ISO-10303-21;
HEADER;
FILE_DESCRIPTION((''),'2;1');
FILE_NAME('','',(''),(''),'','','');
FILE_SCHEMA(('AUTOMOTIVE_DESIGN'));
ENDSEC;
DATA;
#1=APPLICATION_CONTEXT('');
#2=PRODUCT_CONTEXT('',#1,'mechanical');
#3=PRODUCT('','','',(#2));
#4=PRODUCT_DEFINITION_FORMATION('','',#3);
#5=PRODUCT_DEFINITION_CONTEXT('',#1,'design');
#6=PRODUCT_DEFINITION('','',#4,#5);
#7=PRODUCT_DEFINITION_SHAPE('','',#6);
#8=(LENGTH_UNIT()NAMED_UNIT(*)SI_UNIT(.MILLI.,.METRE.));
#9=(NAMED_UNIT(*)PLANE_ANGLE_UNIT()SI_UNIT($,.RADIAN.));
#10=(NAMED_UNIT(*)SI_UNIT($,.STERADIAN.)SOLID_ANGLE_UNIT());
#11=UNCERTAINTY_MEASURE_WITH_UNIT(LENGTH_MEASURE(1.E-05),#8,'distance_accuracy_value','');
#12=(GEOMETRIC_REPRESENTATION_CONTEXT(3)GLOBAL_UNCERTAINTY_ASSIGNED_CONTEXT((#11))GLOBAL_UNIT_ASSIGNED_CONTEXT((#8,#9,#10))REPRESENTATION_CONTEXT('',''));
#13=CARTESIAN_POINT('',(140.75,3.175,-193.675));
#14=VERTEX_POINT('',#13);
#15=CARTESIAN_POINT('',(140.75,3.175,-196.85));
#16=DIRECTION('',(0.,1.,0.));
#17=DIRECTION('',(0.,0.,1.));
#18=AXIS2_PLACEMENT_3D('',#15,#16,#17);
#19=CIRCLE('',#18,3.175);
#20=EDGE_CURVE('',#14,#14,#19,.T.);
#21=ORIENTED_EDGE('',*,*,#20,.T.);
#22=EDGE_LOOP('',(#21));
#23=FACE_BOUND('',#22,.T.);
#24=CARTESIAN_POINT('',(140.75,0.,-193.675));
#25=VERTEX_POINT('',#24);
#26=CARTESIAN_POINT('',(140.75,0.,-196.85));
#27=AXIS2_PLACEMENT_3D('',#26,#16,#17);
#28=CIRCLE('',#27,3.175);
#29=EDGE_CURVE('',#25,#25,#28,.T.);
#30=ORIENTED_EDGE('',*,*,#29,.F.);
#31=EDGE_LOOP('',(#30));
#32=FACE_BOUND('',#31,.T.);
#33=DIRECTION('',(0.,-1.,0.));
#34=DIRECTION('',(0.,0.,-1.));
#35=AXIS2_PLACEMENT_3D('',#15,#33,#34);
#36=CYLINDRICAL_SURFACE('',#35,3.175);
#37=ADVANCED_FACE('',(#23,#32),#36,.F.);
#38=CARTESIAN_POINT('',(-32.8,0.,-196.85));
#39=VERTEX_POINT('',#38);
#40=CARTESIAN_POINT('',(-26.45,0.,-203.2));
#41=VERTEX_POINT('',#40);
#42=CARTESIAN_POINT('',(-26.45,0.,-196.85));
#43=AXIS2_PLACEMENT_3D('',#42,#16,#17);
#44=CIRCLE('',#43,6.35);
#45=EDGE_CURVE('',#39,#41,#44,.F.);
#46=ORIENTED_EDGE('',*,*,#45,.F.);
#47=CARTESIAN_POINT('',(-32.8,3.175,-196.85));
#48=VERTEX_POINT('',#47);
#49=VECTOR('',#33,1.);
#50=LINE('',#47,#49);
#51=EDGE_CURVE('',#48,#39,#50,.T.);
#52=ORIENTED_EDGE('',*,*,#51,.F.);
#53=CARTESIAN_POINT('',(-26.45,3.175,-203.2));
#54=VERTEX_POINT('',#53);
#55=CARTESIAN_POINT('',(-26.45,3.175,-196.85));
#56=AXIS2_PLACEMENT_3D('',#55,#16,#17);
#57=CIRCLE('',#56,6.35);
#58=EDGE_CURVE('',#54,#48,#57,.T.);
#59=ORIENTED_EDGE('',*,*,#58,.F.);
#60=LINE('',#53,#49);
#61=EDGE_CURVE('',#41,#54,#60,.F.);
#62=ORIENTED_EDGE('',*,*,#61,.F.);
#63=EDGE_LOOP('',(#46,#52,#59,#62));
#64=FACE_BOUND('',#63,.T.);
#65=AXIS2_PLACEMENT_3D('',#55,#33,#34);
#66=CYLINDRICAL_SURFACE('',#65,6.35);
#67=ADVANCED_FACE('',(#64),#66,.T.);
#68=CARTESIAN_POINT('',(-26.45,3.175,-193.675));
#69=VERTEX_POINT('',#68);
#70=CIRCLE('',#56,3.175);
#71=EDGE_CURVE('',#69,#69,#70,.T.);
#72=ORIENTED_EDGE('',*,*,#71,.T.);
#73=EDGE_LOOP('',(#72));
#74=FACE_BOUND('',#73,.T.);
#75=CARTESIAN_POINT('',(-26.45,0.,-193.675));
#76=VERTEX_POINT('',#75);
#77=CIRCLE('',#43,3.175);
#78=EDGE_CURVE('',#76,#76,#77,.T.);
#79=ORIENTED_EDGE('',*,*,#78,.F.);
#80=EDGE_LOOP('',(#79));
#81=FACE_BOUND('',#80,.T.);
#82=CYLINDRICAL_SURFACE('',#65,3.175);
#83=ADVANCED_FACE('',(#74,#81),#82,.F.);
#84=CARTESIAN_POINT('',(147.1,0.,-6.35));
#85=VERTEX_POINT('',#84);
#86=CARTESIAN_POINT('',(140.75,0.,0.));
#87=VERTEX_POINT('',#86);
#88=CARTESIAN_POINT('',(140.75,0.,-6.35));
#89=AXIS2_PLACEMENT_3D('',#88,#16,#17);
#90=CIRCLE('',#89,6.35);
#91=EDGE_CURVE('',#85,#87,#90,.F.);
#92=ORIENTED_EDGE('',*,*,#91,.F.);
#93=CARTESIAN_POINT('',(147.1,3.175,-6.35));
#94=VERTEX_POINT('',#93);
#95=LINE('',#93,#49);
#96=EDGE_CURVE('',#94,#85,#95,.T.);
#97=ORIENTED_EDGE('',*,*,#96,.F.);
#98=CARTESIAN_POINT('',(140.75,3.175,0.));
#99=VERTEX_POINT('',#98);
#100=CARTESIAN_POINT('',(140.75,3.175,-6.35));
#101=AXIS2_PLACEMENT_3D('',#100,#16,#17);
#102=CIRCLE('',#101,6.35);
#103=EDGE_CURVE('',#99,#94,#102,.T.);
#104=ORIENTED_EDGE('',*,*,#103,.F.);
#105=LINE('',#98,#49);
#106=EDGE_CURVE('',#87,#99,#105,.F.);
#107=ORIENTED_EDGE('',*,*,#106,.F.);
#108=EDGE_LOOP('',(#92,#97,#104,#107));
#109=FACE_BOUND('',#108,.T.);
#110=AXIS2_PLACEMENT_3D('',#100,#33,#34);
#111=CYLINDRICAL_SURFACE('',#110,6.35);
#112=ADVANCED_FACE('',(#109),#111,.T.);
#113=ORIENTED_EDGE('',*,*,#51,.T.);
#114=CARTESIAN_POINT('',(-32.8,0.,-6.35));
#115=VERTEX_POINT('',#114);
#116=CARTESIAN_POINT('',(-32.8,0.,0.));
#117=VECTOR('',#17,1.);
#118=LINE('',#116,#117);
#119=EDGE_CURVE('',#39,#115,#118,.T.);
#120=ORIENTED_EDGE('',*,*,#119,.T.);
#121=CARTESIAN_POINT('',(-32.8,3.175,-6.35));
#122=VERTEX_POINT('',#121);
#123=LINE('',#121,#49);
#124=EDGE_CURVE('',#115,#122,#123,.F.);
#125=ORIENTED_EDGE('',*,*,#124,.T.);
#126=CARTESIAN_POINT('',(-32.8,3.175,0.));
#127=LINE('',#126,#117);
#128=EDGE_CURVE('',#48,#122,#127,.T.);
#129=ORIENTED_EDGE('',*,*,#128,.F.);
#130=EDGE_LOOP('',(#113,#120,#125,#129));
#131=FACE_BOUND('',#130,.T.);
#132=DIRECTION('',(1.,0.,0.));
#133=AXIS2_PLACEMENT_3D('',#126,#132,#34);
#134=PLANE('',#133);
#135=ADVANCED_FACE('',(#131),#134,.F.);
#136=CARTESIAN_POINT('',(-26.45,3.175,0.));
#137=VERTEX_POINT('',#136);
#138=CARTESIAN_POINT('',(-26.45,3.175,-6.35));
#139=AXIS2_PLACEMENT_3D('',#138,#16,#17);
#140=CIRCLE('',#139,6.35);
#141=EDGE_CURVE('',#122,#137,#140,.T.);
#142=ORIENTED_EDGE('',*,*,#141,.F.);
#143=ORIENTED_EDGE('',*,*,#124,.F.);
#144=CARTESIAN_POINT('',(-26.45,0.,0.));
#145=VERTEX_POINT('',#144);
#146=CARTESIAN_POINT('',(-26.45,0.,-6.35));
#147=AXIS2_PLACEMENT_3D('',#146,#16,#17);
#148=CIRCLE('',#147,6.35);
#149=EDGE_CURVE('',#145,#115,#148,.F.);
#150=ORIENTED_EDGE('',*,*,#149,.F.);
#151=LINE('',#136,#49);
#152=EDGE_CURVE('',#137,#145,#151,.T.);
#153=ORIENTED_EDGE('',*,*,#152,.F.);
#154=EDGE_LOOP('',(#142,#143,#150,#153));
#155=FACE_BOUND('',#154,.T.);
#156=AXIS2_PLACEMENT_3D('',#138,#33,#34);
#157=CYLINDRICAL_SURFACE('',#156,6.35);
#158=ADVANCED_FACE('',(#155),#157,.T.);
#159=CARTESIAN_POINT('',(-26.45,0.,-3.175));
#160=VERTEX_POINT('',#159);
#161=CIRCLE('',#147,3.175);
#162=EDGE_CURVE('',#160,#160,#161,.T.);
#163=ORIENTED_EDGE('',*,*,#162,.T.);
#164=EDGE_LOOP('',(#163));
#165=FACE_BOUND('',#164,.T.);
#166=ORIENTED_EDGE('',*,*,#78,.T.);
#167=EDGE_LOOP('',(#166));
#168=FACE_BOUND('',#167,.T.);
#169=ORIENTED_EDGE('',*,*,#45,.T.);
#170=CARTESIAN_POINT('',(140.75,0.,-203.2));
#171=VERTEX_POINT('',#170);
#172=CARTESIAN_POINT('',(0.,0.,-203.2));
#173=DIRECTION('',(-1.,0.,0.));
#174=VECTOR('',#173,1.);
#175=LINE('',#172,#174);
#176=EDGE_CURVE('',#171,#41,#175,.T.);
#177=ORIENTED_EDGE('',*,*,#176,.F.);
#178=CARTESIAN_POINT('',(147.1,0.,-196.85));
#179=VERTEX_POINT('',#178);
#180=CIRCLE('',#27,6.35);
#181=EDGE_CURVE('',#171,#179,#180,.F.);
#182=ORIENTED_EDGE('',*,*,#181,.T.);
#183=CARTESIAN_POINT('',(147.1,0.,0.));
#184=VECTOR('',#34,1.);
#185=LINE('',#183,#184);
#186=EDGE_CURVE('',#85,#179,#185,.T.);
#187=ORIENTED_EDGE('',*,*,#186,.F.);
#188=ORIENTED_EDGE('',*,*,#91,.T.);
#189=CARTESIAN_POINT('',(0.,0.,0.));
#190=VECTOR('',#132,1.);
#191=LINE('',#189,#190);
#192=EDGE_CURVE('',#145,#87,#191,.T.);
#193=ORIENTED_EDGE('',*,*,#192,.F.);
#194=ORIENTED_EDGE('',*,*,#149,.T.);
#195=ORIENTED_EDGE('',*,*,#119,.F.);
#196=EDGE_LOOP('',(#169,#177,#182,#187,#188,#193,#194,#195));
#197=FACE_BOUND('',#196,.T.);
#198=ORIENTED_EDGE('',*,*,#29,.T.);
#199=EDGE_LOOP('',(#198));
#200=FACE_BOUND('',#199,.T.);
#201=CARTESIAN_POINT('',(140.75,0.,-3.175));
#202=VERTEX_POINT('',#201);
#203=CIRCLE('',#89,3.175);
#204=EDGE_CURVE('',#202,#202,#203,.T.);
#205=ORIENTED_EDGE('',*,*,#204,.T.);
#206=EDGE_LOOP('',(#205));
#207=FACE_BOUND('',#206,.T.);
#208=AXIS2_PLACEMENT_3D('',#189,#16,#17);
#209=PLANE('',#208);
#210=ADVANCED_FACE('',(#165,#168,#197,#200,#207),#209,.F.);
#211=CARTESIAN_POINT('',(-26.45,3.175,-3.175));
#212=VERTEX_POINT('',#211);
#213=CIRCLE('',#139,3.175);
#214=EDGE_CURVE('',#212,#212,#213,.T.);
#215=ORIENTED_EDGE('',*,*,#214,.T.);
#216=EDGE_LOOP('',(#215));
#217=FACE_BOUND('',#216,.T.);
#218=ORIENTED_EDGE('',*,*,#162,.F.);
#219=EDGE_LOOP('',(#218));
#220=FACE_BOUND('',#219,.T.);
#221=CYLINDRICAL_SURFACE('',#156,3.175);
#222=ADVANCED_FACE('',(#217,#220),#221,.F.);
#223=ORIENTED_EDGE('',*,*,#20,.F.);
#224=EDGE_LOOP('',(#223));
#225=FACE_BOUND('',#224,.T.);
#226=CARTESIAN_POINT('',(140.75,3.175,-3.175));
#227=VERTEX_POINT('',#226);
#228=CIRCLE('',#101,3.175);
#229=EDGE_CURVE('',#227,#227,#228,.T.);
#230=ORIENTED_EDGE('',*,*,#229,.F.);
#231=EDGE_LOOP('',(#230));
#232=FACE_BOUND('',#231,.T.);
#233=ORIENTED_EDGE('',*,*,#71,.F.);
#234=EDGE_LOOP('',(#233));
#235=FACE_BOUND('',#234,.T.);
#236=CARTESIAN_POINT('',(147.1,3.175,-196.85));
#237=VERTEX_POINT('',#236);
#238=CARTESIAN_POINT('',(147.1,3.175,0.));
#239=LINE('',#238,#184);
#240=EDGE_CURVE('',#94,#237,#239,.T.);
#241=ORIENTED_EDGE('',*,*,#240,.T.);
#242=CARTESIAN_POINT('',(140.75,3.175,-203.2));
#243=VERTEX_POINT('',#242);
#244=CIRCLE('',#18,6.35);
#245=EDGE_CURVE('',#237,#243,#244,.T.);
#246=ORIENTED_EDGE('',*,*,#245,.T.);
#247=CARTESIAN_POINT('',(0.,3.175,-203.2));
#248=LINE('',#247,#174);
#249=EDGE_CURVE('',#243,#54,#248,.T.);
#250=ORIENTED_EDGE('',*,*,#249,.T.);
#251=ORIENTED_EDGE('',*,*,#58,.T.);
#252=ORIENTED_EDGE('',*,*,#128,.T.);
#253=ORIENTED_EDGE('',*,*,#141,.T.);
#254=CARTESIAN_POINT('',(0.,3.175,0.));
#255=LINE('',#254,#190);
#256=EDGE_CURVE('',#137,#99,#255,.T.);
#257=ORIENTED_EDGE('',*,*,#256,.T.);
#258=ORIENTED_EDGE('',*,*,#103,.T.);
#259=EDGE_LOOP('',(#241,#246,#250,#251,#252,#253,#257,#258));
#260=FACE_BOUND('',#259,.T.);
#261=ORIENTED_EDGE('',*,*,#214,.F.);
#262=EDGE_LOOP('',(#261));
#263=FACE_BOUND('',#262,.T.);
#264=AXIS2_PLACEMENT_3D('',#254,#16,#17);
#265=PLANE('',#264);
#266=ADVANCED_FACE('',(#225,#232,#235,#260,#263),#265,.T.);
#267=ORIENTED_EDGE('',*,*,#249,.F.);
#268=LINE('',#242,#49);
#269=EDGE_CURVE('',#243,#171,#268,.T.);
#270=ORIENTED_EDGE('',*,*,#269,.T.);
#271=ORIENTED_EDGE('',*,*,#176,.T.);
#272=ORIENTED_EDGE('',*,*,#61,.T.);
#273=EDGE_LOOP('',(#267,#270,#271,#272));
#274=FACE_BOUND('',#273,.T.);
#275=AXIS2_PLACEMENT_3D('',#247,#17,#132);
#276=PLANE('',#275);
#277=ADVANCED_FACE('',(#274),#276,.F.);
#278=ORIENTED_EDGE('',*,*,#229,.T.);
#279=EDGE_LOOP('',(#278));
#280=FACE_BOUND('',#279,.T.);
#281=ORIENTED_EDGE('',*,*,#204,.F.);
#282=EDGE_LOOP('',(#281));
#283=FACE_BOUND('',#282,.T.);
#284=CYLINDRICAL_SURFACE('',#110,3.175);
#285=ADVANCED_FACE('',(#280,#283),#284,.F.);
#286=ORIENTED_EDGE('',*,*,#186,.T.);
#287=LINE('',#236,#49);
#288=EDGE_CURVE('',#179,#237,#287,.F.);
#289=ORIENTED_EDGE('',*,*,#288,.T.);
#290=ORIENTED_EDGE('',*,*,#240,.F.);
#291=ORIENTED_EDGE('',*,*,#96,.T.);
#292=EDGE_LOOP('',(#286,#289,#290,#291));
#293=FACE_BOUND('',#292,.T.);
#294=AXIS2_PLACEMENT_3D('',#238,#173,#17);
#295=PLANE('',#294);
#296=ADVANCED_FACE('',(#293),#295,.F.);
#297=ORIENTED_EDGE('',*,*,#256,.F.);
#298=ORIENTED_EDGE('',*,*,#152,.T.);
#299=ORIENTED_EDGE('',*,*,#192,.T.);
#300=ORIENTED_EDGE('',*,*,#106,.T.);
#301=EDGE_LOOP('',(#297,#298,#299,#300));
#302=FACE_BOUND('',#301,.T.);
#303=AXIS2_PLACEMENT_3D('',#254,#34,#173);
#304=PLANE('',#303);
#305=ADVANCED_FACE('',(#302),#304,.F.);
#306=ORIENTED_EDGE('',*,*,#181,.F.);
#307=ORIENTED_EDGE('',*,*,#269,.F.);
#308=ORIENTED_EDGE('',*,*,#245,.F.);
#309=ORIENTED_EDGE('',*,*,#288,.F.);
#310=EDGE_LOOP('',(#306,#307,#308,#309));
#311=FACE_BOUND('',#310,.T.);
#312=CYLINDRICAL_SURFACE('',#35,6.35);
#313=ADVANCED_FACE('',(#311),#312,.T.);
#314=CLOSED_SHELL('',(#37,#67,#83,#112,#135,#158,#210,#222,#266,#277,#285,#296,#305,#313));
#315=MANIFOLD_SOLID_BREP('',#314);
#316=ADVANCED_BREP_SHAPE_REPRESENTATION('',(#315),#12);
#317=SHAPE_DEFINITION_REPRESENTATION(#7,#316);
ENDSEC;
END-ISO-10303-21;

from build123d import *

# Parameters (mm, degrees)
SKETCH1_W           = 179.900000372
SKETCH1_H           = 203.2
SKETCH1_R           = 3.175
BOSS_EXTRUDE1_DEPTH = 3.175
FILLET1_R           = 6.35


with BuildPart() as part:
    # Sketch1 → Boss-Extrude1 (new body)
    with BuildSketch(Plane(origin=(0, 0, 0), x_dir=(1, 0, 0), z_dir=(0, 1, 0))):
        with Locations((57.15, 101.6)):
            Rectangle(SKETCH1_W, SKETCH1_H)
        with Locations((-26.450000186, 6.35)):
            Circle(SKETCH1_R, mode=Mode.SUBTRACT)
        with Locations((140.750000186, 6.35)):
            Circle(SKETCH1_R, mode=Mode.SUBTRACT)
        with Locations((-26.450000186, 196.85)):
            Circle(SKETCH1_R, mode=Mode.SUBTRACT)
        with Locations((140.750000186, 196.85)):
            Circle(SKETCH1_R, mode=Mode.SUBTRACT)
    extrude(amount=BOSS_EXTRUDE1_DEPTH)

    # Fillet1
    fillet1_edges = [part.edges().sort_by_distance(p)[0] for p in [
        (-32.800000186, 1.5875, -203.2),
        (147.100000186, 1.5875, -203.2),
        (147.100000186, 1.5875, 0),
        (-32.800000186, 1.5875, 0),
    ]]
    fillet(fillet1_edges, radius=FILLET1_R)


solid = part.part
